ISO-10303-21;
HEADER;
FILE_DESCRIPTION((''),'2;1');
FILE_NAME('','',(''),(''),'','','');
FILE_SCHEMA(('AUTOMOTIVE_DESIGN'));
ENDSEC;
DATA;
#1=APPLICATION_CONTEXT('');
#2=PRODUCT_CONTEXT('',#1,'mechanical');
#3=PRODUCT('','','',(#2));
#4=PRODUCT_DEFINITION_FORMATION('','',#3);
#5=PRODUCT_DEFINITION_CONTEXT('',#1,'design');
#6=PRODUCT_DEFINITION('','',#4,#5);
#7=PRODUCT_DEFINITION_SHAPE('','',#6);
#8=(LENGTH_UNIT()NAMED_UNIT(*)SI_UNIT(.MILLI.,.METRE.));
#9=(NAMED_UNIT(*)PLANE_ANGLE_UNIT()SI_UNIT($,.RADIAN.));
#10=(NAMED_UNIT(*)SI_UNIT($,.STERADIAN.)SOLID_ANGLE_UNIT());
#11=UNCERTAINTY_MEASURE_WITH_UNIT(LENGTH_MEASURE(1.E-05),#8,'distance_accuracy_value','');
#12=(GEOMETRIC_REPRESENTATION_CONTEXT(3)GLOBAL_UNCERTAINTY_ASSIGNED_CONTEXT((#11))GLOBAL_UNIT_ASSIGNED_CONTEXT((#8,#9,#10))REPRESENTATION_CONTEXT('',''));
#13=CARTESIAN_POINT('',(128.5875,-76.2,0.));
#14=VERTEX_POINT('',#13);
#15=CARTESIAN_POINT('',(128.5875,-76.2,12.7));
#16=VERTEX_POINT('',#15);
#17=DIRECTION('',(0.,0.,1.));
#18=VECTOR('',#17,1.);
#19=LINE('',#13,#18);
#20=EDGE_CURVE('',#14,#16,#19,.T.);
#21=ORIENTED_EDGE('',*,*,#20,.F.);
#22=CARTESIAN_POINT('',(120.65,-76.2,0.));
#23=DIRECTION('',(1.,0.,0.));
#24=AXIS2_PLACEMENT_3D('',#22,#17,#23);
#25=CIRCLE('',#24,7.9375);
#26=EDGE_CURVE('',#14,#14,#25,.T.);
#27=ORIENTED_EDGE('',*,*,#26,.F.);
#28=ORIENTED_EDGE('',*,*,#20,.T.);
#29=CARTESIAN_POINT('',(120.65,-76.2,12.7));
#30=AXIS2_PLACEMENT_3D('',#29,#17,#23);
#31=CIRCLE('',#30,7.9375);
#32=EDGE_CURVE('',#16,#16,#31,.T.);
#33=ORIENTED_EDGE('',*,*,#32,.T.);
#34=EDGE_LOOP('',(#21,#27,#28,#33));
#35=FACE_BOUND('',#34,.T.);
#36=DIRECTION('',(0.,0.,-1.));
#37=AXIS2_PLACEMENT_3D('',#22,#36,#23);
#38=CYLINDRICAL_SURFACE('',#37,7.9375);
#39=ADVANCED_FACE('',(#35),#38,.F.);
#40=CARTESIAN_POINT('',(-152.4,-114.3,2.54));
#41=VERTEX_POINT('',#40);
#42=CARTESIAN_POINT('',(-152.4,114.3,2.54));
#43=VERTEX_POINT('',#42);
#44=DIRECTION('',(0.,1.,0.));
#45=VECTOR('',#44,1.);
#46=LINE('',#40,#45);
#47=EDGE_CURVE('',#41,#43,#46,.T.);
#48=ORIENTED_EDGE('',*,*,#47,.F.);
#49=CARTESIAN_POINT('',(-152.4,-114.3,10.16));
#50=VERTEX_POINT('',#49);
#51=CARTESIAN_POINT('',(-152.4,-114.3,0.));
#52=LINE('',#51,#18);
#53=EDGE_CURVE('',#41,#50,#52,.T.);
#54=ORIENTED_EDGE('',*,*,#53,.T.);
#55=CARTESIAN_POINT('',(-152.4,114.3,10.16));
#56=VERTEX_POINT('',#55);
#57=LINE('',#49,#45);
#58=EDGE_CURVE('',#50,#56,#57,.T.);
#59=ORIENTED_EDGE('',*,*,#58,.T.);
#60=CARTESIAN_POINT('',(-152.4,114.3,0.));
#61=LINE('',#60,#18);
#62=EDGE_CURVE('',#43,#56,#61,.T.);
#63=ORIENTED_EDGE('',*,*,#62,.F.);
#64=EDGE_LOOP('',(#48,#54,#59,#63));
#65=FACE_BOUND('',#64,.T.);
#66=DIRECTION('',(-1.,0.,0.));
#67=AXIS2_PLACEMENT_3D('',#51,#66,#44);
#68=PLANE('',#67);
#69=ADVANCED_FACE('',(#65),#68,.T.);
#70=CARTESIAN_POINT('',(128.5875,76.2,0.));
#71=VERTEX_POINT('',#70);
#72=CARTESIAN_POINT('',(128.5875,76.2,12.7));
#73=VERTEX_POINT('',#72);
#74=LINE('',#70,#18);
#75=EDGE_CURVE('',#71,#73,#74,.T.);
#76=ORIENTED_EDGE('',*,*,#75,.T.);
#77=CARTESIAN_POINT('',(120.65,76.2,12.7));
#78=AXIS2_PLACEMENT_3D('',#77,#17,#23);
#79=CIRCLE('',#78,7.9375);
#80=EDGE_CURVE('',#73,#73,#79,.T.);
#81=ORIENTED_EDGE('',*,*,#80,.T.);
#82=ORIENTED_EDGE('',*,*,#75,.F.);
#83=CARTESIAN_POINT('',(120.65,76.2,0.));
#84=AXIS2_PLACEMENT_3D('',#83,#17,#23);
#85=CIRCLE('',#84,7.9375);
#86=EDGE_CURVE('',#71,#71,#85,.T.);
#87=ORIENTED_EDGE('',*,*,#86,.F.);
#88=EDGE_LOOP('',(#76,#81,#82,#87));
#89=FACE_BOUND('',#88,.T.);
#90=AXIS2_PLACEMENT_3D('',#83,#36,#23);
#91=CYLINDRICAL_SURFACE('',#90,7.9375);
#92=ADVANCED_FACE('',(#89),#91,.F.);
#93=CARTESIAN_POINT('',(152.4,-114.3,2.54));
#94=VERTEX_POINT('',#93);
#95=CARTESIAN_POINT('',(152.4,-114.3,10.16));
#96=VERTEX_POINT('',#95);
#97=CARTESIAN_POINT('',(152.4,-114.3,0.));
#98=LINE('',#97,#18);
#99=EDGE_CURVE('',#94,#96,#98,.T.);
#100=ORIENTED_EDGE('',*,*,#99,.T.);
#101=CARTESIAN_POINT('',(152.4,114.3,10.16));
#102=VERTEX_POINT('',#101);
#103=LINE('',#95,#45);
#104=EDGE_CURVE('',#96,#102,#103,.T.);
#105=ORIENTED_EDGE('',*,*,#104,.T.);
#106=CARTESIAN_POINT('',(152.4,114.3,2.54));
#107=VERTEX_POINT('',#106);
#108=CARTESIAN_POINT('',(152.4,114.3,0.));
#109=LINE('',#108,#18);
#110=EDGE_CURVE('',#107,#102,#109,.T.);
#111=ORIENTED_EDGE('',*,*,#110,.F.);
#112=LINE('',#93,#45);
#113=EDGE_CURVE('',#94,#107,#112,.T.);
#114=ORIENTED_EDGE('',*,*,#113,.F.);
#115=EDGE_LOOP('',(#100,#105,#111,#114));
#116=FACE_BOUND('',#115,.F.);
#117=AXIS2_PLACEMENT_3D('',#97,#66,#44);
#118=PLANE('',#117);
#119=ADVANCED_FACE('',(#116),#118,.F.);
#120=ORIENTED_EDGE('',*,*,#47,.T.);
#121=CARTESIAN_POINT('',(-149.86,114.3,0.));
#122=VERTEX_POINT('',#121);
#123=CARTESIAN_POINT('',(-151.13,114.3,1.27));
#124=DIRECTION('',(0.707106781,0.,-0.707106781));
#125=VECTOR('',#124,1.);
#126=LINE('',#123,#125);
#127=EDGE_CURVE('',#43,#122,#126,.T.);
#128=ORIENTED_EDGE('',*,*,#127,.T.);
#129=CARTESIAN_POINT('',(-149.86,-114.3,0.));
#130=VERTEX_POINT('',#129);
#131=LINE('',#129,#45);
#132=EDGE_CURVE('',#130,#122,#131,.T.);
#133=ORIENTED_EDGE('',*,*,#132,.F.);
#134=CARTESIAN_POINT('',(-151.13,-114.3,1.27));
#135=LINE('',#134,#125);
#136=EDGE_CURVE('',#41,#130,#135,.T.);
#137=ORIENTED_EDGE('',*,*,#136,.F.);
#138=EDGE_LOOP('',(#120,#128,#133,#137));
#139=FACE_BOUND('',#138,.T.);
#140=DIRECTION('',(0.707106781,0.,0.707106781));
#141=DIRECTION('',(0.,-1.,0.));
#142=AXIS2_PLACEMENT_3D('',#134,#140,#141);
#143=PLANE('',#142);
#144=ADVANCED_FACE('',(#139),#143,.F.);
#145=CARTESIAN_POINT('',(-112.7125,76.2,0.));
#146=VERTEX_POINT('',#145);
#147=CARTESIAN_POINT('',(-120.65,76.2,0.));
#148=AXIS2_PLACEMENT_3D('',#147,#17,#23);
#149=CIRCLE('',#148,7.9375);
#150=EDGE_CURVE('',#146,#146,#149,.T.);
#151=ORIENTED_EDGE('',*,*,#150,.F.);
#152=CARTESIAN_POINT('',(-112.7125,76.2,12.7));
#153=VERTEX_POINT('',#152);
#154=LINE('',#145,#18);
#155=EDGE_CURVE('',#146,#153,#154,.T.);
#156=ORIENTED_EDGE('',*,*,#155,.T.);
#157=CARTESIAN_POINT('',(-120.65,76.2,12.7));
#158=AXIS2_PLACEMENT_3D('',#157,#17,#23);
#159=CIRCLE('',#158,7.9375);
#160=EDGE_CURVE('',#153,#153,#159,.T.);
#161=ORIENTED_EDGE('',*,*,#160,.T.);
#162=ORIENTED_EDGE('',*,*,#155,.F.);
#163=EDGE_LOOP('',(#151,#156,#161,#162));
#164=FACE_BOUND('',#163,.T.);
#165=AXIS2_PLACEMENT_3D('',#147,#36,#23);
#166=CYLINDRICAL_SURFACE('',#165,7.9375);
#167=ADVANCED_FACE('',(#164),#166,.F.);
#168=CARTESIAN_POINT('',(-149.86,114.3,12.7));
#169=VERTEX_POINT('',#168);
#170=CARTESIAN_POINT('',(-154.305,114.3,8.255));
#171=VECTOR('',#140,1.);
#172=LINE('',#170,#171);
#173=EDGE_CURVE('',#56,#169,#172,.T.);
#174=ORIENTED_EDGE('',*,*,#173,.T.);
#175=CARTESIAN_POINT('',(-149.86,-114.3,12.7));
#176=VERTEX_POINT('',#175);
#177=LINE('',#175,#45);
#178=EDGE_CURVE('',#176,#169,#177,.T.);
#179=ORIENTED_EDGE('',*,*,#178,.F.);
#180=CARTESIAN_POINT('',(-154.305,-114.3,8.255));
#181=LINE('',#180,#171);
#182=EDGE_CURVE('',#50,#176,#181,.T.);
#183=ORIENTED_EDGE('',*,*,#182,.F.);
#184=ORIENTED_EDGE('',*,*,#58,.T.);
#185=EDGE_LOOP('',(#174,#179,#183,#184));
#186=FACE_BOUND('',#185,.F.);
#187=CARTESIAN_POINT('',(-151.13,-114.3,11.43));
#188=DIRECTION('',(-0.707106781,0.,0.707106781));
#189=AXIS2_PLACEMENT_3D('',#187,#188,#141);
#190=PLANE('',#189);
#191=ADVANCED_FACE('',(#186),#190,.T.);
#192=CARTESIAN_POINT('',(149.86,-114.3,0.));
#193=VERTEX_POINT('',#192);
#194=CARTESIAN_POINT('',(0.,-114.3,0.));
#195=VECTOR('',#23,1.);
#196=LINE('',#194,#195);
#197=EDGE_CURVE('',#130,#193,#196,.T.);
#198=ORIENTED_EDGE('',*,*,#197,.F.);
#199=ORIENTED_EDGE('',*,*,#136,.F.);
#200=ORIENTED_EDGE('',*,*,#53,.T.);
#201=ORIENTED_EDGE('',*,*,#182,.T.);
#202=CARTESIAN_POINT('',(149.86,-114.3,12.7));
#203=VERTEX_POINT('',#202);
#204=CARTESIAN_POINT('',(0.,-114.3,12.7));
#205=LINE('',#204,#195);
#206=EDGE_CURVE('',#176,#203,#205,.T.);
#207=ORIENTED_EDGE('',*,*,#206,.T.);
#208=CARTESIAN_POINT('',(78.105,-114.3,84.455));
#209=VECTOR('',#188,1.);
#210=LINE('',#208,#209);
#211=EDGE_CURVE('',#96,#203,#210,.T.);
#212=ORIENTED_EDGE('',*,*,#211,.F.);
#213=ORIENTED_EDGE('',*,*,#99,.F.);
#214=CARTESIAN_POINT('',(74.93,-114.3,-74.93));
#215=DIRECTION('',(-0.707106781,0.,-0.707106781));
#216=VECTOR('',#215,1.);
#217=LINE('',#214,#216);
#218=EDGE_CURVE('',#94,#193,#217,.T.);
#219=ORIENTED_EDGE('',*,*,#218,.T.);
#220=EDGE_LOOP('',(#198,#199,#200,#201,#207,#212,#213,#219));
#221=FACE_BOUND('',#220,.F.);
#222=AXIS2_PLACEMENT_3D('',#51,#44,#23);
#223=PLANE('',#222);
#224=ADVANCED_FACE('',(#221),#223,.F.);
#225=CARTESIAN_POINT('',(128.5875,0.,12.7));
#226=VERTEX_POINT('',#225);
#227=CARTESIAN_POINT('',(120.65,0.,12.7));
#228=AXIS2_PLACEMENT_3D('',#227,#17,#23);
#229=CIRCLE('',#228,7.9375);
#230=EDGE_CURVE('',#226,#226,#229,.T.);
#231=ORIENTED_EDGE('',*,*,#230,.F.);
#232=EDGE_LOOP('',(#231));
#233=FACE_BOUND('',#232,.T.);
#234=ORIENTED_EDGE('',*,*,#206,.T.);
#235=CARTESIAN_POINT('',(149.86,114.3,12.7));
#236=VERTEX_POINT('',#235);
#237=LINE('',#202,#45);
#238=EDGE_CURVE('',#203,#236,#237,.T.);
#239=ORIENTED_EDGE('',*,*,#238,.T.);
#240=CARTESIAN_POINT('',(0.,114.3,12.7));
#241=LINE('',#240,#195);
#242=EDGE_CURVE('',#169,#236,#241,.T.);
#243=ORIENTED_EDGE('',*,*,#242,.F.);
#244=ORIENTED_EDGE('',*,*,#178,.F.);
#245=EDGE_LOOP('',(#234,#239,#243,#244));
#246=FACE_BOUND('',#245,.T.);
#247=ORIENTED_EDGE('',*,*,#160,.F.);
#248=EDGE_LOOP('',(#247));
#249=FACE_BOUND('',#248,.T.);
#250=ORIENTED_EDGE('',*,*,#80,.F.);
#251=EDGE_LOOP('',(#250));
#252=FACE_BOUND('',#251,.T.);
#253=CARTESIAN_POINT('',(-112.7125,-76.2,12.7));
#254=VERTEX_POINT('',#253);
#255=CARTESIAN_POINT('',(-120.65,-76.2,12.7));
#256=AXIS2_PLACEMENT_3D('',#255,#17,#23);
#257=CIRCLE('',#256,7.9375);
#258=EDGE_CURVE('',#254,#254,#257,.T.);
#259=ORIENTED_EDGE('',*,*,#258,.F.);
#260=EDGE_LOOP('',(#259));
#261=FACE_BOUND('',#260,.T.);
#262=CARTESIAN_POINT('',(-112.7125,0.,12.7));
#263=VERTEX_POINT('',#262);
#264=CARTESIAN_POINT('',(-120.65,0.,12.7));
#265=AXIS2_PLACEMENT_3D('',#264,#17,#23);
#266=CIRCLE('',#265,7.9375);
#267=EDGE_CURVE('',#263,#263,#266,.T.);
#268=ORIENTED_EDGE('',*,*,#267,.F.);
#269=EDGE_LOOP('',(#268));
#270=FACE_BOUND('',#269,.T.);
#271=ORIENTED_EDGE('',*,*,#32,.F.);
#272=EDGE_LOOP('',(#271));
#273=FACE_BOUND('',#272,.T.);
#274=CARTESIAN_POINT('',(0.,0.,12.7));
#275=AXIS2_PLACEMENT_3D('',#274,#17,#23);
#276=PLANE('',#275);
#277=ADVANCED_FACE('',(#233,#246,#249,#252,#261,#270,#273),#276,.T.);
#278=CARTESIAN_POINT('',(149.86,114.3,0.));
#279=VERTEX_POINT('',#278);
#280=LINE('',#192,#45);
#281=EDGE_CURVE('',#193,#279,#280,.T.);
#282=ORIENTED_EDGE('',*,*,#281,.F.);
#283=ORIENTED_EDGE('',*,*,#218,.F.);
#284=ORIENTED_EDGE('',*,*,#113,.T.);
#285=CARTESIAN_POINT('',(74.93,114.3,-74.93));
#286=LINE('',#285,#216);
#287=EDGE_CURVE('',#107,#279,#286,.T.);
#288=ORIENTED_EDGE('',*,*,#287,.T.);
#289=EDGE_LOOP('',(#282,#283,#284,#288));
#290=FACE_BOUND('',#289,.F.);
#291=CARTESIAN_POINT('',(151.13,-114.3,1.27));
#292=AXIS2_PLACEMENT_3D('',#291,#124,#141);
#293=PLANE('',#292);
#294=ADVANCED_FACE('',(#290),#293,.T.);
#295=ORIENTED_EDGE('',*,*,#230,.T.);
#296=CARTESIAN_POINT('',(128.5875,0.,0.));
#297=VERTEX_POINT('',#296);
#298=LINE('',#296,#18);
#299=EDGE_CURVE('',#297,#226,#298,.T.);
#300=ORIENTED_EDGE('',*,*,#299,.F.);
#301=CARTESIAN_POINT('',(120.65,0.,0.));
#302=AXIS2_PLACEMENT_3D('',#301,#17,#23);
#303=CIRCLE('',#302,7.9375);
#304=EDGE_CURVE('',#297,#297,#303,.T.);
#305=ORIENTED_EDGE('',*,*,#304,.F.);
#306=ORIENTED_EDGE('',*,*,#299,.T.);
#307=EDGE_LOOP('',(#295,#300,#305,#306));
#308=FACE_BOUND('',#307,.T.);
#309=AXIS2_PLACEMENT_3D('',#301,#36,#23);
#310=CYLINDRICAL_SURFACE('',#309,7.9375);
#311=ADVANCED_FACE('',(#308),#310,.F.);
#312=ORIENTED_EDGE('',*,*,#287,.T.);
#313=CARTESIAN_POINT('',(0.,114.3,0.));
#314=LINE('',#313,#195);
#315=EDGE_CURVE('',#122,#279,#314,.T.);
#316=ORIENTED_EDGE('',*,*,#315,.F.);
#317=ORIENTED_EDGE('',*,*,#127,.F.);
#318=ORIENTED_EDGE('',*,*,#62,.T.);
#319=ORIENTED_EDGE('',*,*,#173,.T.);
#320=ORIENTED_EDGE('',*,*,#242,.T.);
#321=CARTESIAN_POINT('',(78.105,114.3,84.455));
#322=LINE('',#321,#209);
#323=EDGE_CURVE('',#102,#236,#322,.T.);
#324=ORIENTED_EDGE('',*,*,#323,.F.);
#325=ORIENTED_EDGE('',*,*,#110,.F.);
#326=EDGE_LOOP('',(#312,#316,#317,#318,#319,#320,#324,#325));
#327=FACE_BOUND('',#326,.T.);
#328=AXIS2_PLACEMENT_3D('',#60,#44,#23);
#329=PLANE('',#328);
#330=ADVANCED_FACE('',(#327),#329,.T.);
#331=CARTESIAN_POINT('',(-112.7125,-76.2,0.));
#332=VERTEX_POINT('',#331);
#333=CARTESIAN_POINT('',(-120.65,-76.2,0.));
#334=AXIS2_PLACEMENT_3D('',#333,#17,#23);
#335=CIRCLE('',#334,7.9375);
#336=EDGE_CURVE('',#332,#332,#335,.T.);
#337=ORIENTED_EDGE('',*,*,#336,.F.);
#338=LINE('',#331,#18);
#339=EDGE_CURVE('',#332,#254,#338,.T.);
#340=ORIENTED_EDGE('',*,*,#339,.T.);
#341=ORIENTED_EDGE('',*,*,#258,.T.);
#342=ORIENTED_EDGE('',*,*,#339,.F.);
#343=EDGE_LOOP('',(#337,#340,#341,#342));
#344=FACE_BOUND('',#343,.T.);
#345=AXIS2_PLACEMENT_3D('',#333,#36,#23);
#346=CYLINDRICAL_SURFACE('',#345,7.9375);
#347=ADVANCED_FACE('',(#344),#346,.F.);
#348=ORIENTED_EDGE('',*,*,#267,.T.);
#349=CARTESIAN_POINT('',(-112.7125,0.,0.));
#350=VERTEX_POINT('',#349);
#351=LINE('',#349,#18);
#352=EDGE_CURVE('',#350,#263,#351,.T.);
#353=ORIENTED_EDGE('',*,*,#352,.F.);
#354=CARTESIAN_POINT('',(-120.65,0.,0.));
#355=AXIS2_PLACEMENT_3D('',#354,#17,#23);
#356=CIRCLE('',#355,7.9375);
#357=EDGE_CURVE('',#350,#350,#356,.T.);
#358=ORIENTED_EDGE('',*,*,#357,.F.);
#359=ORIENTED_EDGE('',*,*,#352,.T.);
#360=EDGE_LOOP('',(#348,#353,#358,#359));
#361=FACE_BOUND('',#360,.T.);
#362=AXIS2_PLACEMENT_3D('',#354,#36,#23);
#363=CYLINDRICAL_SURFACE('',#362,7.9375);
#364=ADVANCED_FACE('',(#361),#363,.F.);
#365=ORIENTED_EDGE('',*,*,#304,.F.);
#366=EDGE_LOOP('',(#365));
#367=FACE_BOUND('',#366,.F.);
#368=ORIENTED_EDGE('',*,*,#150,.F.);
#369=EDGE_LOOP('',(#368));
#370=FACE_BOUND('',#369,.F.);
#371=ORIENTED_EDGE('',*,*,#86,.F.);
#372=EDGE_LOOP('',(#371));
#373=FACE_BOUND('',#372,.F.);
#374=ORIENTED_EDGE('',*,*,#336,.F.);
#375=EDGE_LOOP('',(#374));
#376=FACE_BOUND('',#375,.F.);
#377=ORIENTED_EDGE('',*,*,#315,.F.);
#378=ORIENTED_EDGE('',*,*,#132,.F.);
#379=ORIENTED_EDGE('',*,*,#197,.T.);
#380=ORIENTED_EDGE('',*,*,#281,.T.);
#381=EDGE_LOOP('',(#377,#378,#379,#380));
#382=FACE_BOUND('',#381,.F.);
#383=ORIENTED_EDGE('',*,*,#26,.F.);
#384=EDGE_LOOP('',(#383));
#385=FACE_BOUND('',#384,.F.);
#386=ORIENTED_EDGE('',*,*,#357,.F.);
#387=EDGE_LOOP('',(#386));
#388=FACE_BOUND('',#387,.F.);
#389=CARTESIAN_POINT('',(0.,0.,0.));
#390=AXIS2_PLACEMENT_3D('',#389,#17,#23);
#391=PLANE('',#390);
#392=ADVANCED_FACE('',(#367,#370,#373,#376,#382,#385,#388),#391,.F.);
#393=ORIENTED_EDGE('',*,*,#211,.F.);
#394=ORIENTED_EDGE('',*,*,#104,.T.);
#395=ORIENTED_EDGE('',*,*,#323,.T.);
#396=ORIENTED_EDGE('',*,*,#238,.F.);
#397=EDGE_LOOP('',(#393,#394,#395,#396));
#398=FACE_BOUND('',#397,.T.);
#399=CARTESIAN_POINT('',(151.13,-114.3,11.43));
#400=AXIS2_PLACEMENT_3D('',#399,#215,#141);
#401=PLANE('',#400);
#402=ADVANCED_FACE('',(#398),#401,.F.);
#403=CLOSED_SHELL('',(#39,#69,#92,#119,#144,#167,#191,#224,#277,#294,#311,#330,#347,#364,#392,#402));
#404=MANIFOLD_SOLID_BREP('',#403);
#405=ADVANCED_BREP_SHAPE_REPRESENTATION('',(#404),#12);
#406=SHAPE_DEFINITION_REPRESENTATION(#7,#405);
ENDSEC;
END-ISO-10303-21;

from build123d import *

# Parameters (mm, degrees)
F0_W     = 304.8
F0_H     = 228.6
F0_R     = 7.9375
F1_DEPTH = 12.7
F2_SIZE  = 2.54


with BuildPart() as f1:
    # F0 (on Top) → F1 (new body)
    with BuildSketch(Plane.XY):
        Rectangle(F0_W, F0_H)
        with Locations((-120.65, -76.2)):
            Circle(F0_R, mode=Mode.SUBTRACT)
        with Locations((120.65, -76.2)):
            Circle(F0_R, mode=Mode.SUBTRACT)
        with Locations((-120.65, 0)):
            Circle(F0_R, mode=Mode.SUBTRACT)
        with Locations((-120.65, 76.2)):
            Circle(F0_R, mode=Mode.SUBTRACT)
        with Locations((120.65, 0)):
            Circle(F0_R, mode=Mode.SUBTRACT)
        with Locations((120.65, 76.2)):
            Circle(F0_R, mode=Mode.SUBTRACT)
    extrude(amount=F1_DEPTH)

    # F2
    f2_edges = [f1.edges().sort_by_distance(p)[0] for p in [
        (-152.4, 0, 12.7),
        (-152.4, 0, 0),
        (152.4, 0, 0),
        (152.4, 0, 12.7),
    ]]
    chamfer(f2_edges, length=F2_SIZE)


solid = f1.part
